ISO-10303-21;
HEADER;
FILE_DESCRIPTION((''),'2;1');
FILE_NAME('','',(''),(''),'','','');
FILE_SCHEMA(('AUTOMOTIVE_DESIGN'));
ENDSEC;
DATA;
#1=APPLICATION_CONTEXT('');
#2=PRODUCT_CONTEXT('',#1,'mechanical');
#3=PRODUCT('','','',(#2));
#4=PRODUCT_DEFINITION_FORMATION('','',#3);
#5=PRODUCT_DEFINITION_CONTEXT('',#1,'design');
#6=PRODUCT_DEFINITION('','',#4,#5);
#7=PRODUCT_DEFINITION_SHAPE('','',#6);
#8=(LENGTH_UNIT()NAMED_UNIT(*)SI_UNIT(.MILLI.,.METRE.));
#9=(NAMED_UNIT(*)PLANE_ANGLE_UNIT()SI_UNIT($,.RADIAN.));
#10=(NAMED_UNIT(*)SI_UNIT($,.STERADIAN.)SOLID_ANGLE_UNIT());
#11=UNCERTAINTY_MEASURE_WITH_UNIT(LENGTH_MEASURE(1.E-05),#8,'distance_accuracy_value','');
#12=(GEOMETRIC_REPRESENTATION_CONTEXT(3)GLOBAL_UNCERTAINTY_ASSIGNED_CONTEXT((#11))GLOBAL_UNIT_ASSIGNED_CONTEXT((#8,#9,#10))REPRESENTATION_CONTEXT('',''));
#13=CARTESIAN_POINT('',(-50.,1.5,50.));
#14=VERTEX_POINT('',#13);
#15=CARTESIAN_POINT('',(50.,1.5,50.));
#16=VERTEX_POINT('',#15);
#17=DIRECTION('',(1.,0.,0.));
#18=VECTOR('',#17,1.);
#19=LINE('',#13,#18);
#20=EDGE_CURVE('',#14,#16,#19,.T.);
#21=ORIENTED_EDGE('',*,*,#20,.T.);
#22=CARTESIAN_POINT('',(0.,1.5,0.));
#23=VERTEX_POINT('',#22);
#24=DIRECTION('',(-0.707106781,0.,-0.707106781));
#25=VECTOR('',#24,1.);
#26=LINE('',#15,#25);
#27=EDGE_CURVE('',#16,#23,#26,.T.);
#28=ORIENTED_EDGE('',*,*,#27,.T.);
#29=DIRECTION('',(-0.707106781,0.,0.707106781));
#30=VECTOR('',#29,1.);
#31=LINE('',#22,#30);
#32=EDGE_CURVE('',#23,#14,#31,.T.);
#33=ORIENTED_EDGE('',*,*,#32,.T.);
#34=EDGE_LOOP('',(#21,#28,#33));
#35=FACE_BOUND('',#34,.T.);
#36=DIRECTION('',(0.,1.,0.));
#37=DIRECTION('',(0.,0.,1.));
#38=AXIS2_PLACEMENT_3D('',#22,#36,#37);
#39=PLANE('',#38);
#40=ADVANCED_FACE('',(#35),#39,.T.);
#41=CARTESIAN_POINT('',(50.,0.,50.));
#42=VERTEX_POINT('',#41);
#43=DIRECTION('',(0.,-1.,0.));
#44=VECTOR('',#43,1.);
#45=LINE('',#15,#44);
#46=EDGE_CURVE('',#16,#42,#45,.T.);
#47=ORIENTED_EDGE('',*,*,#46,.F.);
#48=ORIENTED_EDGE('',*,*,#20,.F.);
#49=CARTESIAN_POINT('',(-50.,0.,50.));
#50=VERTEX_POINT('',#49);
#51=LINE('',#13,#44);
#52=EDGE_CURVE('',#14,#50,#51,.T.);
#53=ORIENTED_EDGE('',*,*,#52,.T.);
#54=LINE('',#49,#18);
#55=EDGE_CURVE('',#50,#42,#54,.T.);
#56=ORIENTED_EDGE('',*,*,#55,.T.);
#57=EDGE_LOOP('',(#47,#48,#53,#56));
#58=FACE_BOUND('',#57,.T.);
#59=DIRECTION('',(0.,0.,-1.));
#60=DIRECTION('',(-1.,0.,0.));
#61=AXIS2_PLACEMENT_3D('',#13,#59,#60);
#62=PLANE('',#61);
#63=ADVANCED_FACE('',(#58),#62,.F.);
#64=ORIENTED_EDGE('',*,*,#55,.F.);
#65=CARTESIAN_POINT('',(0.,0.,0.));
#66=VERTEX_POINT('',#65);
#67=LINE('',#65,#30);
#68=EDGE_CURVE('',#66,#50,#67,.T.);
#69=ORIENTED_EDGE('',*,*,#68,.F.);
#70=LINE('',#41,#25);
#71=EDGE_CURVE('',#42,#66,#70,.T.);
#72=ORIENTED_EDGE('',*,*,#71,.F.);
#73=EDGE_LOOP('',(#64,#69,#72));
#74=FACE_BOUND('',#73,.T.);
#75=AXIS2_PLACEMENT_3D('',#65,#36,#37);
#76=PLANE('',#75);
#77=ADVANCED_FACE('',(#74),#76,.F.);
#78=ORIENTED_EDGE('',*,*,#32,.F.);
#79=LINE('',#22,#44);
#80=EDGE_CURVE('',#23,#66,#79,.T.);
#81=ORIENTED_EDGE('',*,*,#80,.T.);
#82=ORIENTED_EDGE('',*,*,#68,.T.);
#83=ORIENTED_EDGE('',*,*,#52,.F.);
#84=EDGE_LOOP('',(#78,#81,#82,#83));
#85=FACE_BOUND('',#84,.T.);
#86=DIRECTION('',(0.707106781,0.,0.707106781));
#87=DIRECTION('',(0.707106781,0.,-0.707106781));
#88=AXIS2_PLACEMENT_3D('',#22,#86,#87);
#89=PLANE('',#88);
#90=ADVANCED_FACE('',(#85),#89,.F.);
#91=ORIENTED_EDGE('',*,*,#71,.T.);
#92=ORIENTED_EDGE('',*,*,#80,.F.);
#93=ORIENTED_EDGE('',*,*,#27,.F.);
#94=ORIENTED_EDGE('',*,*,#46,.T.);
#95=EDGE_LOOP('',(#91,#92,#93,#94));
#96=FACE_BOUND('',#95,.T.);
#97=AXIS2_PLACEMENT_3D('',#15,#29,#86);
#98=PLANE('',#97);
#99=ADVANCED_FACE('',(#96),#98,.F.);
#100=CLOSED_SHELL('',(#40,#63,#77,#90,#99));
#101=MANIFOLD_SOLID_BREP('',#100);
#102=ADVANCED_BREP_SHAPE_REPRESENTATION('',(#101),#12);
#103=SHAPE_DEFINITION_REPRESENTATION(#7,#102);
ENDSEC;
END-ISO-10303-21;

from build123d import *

# Parameters (mm, degrees)
BOSS_EXTRUDE1_DEPTH = 1.5


with BuildPart() as part:
    # Sketch1 → Boss-Extrude1 (new body)
    with BuildSketch(Plane(origin=(0, 0, 0), x_dir=(1, 0, 0), z_dir=(0, 1, 0))):
        Polygon((0, 0), (-50, -50), (50, -50), align=None)
    extrude(amount=BOSS_EXTRUDE1_DEPTH)


solid = part.part
